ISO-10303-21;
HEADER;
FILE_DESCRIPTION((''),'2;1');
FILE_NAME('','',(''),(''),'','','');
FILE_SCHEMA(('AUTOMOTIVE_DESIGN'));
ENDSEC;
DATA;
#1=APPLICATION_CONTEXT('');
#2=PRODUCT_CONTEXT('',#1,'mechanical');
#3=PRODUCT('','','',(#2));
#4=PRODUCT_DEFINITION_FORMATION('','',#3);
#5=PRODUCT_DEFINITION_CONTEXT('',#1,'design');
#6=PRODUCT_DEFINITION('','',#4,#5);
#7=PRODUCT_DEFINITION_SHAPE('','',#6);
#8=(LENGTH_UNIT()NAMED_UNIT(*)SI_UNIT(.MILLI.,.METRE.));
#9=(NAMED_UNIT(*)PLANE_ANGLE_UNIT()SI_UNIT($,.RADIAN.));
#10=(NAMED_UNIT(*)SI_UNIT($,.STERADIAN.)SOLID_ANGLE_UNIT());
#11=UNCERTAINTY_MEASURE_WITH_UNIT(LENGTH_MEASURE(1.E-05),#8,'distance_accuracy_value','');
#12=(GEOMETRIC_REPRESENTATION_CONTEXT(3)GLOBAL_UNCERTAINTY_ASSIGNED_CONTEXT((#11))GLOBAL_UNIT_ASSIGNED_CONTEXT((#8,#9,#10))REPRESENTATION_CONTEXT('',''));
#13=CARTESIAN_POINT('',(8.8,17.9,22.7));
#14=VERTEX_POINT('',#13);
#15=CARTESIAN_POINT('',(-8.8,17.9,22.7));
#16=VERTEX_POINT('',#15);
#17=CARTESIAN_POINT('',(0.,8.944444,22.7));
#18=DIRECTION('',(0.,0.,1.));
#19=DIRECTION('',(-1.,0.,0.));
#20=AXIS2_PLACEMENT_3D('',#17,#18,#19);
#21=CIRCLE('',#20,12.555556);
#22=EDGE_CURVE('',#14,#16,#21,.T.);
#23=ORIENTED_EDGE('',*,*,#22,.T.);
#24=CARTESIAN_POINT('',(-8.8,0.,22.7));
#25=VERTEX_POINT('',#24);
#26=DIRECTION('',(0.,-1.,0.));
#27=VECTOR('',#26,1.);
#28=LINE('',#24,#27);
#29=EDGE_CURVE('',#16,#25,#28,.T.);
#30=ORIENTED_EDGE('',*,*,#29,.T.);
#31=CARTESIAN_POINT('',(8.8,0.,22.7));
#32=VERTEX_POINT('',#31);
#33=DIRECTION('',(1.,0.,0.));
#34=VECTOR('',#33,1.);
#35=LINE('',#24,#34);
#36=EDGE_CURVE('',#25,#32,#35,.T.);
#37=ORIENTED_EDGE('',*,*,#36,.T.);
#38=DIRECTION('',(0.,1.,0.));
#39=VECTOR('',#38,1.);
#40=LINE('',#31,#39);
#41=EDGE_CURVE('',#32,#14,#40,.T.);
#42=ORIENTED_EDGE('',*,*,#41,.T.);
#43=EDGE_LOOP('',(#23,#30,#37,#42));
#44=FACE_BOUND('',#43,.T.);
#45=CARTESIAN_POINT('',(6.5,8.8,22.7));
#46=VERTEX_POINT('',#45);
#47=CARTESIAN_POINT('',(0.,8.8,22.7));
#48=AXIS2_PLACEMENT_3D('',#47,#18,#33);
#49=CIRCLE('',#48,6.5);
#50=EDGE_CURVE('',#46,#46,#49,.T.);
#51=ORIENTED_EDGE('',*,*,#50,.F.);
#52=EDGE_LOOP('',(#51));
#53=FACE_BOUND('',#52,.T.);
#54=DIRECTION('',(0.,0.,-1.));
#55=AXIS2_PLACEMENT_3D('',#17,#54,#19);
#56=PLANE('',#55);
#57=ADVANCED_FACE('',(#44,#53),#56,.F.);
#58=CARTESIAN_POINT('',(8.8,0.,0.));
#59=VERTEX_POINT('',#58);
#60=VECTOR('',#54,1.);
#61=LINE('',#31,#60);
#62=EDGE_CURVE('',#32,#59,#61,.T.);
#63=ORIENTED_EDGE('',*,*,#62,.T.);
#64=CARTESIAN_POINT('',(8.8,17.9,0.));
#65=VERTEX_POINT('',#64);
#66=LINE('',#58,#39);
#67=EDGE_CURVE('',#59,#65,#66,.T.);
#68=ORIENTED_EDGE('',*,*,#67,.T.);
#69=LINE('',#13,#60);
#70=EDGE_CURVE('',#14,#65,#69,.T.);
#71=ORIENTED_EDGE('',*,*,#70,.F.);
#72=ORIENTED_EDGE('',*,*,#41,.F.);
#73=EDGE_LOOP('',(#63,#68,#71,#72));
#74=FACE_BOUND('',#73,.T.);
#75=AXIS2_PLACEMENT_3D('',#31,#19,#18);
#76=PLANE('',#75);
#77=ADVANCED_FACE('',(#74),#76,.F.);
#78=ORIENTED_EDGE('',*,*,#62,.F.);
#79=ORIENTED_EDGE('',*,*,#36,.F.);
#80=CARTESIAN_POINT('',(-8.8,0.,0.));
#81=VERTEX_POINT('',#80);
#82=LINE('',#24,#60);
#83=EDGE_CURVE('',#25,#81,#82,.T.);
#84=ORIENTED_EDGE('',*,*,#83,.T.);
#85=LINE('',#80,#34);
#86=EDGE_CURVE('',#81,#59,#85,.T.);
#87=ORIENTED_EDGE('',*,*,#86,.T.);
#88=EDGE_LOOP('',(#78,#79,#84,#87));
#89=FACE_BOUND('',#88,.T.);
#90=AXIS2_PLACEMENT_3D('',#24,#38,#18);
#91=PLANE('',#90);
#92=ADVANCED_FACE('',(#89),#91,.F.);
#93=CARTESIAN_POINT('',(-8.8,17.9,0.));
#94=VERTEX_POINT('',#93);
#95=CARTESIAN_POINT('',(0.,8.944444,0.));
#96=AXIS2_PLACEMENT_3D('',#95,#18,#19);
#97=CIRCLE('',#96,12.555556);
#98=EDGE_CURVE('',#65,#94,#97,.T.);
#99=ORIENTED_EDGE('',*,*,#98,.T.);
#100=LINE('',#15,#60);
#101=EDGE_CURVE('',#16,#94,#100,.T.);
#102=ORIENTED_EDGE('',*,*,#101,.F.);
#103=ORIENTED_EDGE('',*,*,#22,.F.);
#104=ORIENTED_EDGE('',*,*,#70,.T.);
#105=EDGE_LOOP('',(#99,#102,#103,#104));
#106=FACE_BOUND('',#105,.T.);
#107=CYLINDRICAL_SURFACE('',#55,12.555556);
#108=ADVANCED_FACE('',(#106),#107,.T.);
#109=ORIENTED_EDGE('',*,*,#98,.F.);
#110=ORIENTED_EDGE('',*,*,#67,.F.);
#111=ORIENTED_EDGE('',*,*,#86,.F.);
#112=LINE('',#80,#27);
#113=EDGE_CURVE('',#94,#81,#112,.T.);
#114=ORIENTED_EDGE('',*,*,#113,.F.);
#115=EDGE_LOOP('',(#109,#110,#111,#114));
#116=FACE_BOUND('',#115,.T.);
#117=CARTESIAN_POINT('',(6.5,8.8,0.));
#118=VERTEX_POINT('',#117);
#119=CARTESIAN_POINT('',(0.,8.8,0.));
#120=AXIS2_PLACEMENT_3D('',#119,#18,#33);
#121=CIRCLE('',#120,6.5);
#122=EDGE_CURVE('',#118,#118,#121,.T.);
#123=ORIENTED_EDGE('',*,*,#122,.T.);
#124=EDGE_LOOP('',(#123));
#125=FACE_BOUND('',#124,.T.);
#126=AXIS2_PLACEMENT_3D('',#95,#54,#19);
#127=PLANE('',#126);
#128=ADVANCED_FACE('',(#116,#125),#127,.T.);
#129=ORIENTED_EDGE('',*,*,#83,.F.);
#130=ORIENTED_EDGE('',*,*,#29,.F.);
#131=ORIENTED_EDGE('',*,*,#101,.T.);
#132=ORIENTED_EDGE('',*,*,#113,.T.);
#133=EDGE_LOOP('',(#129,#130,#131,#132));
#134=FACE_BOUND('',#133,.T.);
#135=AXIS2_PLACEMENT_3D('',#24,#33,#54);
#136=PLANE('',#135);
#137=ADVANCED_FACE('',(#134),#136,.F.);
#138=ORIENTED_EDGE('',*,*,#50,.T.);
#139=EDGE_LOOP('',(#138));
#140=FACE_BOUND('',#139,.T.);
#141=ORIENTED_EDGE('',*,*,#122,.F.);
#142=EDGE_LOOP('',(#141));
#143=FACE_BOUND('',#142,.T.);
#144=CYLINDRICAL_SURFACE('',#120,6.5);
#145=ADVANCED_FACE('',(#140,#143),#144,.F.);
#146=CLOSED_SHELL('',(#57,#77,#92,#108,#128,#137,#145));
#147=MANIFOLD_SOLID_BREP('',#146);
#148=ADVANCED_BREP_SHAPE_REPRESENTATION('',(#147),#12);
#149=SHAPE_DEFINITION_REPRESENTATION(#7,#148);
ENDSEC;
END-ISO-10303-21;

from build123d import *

# Parameters (mm, degrees)
EXTRUDE_1_DEPTH     = 22.7
SKETCH_2_R          = 6.5
CUT_EXTRUDE_1_DEPTH = 33.480455662


with BuildPart() as part:
    # Эскиз1 → Бобышка-Вытянуть1 (new body)
    with BuildSketch(Plane.XY):
        with BuildLine():
            Line((-8.8, 0), (8.8, 0))
            Line((8.8, 0), (8.8, 17.9))
            ThreePointArc((8.8, 17.9), (0, 21.5), (-8.8, 17.9))
            Line((-8.8, 17.9), (-8.8, 0))
        make_face()
    extrude(amount=EXTRUDE_1_DEPTH)

    # Эскиз2 → Вырез-Вытянуть1 (cut, through all)
    with BuildSketch(Plane.XY.offset(22.7)):
        with Locations((0, 8.8)):
            Circle(SKETCH_2_R)
    extrude(amount=-CUT_EXTRUDE_1_DEPTH, mode=Mode.SUBTRACT)


solid = part.part
